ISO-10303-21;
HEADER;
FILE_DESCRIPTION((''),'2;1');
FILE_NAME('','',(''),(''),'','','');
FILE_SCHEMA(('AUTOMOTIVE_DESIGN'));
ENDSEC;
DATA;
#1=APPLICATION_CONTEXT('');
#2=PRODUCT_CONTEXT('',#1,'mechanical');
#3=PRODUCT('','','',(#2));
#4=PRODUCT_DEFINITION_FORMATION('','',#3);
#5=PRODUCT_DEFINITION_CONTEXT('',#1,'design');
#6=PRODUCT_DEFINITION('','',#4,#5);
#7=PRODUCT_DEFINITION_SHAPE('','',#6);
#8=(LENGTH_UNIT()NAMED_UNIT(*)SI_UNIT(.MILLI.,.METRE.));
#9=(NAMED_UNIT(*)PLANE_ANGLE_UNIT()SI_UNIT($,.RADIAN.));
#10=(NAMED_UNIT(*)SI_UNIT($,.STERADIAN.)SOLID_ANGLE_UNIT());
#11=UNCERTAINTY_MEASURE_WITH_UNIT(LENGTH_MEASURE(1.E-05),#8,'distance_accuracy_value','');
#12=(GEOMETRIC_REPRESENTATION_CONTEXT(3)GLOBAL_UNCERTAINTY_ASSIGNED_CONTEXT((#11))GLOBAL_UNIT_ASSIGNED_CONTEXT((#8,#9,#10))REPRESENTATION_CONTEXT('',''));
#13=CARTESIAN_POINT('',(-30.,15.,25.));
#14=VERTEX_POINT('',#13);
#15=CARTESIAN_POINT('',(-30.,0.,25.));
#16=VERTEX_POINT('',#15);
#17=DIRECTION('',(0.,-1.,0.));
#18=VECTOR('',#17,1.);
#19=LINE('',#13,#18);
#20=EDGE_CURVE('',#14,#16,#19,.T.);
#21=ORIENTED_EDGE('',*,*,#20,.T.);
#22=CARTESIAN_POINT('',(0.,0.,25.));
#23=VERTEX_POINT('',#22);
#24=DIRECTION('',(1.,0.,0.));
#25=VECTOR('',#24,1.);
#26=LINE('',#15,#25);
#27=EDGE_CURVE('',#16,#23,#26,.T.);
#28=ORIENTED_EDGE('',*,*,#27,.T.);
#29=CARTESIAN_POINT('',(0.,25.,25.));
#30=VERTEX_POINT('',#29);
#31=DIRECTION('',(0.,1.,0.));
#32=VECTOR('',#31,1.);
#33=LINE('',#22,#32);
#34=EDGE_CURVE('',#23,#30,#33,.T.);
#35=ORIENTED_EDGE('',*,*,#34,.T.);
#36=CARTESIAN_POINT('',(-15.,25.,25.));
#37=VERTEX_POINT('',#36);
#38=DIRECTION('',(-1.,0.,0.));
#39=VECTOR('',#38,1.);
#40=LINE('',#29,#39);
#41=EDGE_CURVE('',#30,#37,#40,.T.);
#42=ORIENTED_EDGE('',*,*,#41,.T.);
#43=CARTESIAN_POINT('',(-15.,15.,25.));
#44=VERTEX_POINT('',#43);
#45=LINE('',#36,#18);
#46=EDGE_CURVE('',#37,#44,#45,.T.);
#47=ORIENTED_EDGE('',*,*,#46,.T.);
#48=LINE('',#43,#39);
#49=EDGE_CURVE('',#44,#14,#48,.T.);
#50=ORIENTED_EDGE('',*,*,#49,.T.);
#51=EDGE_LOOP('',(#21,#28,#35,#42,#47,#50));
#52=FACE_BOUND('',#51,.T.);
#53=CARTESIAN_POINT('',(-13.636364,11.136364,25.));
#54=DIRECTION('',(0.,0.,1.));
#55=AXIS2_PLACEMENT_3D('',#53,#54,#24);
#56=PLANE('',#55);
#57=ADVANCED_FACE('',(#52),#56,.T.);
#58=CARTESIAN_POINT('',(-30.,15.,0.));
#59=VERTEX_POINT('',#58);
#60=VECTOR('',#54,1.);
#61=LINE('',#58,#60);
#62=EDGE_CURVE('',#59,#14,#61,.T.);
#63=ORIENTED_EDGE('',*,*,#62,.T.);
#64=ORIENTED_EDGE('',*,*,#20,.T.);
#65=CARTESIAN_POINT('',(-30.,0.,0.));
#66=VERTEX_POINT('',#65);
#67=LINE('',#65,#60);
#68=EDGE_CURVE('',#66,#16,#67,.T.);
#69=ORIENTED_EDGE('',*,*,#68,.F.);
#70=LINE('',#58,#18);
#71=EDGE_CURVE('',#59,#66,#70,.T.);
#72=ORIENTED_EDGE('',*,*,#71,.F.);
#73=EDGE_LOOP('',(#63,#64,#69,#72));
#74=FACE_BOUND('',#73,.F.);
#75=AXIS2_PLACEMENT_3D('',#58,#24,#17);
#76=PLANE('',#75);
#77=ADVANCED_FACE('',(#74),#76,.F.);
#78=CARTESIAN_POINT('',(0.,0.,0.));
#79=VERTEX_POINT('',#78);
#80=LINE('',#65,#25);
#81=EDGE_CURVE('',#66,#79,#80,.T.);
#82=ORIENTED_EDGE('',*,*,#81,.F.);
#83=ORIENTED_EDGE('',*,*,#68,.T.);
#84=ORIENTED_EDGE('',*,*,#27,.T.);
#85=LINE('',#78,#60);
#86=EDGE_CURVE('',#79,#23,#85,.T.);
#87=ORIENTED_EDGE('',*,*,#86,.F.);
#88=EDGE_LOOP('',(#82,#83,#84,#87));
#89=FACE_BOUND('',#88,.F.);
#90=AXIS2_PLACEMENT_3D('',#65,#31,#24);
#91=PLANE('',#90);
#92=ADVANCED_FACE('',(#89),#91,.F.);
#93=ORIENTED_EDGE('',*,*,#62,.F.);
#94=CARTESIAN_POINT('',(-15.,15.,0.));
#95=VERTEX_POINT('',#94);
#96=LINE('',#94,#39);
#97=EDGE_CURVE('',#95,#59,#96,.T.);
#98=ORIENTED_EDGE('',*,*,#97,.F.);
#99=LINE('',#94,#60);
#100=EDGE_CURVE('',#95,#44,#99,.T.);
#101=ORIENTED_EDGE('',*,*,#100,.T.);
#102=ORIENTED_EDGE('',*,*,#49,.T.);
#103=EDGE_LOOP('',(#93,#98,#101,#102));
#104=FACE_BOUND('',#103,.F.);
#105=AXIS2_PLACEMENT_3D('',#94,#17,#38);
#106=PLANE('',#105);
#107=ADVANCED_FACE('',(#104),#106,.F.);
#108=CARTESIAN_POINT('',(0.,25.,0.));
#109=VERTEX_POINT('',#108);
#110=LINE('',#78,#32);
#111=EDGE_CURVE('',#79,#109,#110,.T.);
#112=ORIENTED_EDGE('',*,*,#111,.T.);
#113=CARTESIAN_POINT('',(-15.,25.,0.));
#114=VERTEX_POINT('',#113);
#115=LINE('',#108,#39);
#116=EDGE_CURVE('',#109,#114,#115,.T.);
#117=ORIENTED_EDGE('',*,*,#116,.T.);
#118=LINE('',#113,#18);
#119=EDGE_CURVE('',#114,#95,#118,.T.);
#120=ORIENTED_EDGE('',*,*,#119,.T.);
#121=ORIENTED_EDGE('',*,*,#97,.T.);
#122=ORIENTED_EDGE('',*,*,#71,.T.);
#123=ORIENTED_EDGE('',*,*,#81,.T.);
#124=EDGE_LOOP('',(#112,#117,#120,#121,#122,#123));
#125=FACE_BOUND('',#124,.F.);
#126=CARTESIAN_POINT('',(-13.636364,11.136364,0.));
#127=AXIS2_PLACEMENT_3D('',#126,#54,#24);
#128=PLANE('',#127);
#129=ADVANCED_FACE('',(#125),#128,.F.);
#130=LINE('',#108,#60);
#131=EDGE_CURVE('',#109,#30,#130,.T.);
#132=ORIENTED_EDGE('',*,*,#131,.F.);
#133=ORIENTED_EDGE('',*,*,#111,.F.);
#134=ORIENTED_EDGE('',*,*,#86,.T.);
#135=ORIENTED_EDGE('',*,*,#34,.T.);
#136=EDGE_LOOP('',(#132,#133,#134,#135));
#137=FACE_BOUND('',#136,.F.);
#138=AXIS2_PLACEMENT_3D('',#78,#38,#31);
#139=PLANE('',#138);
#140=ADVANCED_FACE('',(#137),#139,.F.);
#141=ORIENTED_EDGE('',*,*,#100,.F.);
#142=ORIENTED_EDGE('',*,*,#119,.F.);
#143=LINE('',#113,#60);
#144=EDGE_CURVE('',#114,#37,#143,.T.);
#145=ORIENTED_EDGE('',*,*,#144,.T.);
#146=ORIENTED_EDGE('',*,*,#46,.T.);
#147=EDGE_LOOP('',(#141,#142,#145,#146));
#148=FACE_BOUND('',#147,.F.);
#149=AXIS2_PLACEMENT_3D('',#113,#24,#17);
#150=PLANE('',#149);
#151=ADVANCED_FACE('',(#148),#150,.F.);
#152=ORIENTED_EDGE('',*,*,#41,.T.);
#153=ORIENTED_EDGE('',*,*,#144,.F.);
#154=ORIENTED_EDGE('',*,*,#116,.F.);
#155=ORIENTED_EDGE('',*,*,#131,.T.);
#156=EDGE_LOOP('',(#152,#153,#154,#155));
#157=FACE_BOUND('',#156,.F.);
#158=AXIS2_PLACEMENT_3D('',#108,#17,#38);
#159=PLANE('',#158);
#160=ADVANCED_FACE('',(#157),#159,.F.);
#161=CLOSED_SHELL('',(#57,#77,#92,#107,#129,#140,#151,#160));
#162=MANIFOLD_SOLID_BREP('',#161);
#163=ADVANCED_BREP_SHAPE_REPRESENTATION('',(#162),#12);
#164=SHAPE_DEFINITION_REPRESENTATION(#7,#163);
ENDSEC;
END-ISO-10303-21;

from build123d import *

# Parameters (mm, degrees)
BOSS_EXTRUDE1_DEPTH = 25


with BuildPart() as part:
    # Sketch1 → Boss-Extrude1 (new body)
    with BuildSketch(Plane.XY):
        Polygon((-30, 0), (0, 0), (0, 25), (-15, 25), (-15, 15), (-30, 15), align=None)
    extrude(amount=BOSS_EXTRUDE1_DEPTH)


solid = part.part
